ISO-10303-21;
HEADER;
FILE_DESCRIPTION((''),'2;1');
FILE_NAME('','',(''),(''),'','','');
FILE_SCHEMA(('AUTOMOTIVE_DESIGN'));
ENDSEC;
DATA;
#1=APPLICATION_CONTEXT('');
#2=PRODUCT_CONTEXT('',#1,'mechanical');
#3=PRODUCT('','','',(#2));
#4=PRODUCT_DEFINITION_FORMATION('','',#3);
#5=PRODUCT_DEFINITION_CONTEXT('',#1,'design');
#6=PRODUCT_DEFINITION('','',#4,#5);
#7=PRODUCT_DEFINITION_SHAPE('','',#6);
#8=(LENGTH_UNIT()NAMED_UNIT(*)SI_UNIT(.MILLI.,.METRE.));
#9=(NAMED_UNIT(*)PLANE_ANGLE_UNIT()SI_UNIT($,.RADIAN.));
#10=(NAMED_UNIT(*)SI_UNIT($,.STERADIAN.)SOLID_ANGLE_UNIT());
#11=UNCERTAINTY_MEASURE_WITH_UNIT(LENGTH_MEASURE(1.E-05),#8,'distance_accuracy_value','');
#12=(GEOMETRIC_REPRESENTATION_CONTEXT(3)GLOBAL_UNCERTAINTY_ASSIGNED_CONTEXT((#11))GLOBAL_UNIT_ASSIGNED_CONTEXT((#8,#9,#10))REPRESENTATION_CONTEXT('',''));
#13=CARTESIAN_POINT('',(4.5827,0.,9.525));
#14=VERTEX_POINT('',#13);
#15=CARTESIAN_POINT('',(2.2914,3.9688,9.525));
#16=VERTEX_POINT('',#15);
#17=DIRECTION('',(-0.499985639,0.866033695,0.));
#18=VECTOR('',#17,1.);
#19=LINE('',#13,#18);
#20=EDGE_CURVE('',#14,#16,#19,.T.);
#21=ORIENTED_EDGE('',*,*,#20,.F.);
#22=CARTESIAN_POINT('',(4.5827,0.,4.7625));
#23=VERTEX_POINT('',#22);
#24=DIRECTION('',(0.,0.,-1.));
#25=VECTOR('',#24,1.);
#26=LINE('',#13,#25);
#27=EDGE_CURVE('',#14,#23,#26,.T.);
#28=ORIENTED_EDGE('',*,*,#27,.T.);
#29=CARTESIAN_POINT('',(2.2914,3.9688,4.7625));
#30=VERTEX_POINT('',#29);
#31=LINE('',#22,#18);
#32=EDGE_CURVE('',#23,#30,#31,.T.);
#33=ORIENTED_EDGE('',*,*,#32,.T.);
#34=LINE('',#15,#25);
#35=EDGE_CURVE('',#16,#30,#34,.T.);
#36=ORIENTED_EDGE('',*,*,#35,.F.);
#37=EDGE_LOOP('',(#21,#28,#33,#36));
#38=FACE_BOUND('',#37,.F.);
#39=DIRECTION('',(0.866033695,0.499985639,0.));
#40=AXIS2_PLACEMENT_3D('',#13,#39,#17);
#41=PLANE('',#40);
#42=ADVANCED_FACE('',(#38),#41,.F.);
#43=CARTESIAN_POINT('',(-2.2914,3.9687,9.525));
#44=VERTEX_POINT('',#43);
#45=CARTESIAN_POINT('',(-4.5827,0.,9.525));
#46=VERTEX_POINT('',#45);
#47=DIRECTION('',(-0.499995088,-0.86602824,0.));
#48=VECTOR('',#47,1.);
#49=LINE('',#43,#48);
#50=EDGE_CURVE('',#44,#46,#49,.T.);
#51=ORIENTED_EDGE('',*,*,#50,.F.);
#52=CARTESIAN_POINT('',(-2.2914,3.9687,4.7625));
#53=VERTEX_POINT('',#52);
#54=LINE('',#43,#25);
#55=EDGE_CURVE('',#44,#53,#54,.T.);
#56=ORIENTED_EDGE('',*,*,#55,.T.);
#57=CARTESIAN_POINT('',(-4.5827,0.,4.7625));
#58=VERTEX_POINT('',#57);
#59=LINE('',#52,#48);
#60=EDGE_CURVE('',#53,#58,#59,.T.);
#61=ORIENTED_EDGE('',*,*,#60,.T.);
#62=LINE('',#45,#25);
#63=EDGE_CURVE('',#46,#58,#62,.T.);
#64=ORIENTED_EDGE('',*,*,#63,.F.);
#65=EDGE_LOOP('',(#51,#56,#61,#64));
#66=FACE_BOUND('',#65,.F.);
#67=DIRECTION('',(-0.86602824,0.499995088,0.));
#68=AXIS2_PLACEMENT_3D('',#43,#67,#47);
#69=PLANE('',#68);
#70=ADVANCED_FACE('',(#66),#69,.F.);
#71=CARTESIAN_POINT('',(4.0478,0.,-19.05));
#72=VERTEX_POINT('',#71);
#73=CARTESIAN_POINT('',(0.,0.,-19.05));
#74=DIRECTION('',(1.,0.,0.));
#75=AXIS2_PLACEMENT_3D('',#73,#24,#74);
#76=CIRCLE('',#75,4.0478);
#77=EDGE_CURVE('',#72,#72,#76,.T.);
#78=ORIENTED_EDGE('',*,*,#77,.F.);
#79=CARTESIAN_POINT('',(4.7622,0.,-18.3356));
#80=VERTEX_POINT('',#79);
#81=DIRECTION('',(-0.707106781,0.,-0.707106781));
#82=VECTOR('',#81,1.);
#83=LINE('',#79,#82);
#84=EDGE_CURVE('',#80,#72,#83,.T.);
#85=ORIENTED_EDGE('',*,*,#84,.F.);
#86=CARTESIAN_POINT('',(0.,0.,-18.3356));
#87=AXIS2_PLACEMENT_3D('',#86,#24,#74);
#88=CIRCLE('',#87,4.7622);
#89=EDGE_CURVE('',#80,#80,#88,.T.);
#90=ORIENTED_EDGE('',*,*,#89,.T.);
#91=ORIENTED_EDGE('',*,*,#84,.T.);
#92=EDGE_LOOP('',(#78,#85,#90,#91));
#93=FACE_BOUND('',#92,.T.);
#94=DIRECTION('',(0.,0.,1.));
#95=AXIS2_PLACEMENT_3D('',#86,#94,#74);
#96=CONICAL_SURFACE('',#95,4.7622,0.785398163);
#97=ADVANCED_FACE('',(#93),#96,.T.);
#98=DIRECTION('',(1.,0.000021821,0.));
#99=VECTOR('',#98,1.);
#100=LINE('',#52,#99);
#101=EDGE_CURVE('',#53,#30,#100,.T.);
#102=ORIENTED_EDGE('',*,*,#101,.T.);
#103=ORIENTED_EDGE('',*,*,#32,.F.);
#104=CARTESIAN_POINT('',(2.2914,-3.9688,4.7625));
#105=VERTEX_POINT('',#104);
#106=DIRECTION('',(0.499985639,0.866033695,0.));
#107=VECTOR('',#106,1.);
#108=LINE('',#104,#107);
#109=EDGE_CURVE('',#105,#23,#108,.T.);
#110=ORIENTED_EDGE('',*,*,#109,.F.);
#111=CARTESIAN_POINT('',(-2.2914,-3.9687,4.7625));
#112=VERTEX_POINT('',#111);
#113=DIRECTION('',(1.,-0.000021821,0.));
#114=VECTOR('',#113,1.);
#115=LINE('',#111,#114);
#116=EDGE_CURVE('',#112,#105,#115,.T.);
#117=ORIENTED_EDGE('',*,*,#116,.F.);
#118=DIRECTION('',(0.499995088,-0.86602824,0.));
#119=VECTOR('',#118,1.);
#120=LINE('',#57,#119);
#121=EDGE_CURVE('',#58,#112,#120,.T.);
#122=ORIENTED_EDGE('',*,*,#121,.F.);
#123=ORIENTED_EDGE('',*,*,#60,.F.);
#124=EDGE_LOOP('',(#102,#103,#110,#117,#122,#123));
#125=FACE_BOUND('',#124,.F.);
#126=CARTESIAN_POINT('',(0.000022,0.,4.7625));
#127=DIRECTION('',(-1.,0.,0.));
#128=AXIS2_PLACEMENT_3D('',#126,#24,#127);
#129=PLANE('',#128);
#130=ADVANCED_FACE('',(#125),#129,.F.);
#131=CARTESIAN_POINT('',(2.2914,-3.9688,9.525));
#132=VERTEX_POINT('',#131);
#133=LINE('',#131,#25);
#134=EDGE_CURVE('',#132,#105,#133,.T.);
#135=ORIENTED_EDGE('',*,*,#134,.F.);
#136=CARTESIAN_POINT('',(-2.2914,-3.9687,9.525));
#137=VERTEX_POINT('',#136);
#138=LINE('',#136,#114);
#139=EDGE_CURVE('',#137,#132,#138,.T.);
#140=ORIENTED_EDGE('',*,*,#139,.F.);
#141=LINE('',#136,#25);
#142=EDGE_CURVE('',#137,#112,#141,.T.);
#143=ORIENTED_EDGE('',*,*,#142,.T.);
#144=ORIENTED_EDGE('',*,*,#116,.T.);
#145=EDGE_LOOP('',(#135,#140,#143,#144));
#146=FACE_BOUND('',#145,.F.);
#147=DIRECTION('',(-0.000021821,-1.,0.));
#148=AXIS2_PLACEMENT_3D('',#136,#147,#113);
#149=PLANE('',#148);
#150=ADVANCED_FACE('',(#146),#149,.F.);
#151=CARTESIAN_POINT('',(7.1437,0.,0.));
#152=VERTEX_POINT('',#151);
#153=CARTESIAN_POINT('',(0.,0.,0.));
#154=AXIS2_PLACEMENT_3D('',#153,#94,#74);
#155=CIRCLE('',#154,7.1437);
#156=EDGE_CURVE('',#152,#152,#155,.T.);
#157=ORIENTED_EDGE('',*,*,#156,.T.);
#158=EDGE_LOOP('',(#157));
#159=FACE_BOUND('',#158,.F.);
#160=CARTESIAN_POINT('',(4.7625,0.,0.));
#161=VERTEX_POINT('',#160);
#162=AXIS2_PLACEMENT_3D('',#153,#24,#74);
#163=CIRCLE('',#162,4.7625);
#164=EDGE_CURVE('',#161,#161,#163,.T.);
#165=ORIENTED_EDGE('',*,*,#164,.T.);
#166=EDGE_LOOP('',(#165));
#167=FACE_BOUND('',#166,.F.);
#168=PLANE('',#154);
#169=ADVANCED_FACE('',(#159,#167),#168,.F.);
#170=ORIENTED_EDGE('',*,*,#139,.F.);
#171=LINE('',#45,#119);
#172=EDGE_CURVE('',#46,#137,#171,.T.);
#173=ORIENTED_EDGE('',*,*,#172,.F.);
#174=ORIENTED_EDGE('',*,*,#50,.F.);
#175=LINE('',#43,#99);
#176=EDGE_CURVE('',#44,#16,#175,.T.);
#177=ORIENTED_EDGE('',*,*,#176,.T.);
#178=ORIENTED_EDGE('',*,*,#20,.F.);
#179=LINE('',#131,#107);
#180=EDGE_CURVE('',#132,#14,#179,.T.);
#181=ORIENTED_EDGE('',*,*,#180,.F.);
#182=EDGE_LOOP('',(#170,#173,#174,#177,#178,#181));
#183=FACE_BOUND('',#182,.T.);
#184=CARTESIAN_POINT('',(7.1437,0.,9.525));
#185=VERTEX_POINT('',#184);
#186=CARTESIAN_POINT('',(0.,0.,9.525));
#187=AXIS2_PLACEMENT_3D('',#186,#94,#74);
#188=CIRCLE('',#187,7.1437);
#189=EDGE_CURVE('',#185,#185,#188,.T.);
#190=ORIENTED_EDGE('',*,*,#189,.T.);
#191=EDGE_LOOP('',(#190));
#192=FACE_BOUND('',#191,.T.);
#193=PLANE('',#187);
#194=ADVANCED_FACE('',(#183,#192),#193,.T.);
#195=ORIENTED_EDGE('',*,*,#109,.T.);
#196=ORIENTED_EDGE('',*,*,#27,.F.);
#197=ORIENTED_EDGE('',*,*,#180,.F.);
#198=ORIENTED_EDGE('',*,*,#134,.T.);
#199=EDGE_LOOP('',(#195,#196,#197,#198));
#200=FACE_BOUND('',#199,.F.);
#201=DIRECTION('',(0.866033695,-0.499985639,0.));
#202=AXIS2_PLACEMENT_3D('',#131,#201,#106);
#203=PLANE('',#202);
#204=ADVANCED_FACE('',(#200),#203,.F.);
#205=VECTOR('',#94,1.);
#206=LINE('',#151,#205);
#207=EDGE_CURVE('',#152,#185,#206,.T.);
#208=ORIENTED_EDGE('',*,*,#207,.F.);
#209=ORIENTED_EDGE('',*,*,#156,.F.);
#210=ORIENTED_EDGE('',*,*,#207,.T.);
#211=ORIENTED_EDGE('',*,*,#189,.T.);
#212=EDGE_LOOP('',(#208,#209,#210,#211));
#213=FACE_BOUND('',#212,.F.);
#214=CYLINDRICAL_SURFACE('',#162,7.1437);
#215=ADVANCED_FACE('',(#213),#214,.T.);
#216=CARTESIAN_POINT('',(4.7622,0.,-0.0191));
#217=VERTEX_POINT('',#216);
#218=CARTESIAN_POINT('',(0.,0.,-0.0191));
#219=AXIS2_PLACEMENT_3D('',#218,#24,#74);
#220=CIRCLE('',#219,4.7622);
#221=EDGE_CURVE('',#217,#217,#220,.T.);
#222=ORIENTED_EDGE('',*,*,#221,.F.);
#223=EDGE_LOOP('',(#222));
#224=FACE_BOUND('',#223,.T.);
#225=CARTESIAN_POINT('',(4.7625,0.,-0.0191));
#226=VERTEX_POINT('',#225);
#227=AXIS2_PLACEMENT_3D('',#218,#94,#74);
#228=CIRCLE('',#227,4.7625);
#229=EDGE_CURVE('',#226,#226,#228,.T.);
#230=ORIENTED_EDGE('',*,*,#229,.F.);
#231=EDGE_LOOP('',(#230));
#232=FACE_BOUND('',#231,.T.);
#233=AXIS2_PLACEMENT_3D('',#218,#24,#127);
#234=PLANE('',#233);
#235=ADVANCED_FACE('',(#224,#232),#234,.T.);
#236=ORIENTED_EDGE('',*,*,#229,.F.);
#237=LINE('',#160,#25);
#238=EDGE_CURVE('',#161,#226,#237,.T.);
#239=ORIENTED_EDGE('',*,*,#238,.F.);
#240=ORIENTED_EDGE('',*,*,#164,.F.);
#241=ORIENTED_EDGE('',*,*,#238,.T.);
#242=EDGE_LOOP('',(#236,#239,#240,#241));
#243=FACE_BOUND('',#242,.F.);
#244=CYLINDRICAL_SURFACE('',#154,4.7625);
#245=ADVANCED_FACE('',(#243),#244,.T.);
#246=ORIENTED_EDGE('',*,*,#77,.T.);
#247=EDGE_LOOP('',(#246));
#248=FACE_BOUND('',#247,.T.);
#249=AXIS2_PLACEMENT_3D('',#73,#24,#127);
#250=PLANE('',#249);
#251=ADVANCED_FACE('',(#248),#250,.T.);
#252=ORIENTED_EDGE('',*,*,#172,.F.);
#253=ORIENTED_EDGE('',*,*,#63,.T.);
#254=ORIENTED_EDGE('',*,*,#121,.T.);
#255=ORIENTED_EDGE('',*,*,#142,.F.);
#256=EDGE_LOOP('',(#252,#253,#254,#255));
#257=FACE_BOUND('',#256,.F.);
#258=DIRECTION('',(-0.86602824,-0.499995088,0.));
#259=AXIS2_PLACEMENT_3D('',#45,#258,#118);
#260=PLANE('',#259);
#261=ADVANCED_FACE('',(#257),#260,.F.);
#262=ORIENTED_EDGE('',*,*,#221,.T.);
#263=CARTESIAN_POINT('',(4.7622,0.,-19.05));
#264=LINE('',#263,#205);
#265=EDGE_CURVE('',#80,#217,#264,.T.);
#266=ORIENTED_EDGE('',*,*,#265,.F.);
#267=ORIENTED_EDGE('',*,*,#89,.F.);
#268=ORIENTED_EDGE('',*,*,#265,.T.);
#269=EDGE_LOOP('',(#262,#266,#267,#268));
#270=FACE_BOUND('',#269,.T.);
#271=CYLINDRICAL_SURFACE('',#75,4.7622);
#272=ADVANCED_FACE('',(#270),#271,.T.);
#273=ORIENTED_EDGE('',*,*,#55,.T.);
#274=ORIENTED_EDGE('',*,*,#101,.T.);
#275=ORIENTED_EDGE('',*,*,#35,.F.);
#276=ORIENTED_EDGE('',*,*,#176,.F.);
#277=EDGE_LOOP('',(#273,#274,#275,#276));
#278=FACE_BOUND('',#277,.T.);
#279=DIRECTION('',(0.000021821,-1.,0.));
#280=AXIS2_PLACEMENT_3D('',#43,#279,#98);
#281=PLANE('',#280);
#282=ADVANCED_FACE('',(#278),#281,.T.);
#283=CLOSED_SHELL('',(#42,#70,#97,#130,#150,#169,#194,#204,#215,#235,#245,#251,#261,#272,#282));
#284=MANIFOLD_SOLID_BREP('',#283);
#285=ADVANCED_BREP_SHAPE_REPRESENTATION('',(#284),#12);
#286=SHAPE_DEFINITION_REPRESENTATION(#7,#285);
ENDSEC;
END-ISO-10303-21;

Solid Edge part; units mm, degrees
sketch "Sketch1" plane through (0, 0, 0) normal (0, 0, 1) x (1, 0, 0)
  circle A0 centre (0, 0) radius 7.1437
  dimension "D1" = 14.2875
extrude "Protrusion1" add sketch "Sketch1" along normal blind 9.525
sketch "Sketch2" plane through (0, 0, 0) normal (0, 0, -1) x (1, 0, 0)
  circle A0 centre (0, 0) radius 4.7625
extrude "Protrusion2" add sketch "Sketch2" along normal blind 19.05
sketch "Sketch3" plane through (0, 0, -19.05) normal (0, 0, -1) x (1, 0, 0)
  circle A0 centre (0, 0) radius 4.7622
extrude "Cutout1" cut sketch "Sketch3" against normal blind 19.0309 flip side to cut
chamfer "Chamfer_1" distance 0.7144 angle 45 1 edges at (-4.7622, 0, -19.05)
sketch "Sketch4" plane through (0, 0, 9.525) normal (0, 0, 1) x (1, 0, 0)
  line L0 (-2.2914, 3.9687) -> (2.2914, 3.9688)
  line L1 (4.5827, 0) -> (2.2914, 3.9688)
  line L2 (2.2914, -3.9688) -> (4.5827, 0)
  line L3 (-2.2914, -3.9687) -> (2.2914, -3.9688)
  line L4 (-4.5827, 0) -> (-2.2914, -3.9688)
  line L5 (-2.2914, 3.9688) -> (-4.5827, 0)
  dimension "D1" = 7.9375
extrude "Cutout2" cut sketch "Sketch4" against normal blind 4.7625
properties part number "24101606"
